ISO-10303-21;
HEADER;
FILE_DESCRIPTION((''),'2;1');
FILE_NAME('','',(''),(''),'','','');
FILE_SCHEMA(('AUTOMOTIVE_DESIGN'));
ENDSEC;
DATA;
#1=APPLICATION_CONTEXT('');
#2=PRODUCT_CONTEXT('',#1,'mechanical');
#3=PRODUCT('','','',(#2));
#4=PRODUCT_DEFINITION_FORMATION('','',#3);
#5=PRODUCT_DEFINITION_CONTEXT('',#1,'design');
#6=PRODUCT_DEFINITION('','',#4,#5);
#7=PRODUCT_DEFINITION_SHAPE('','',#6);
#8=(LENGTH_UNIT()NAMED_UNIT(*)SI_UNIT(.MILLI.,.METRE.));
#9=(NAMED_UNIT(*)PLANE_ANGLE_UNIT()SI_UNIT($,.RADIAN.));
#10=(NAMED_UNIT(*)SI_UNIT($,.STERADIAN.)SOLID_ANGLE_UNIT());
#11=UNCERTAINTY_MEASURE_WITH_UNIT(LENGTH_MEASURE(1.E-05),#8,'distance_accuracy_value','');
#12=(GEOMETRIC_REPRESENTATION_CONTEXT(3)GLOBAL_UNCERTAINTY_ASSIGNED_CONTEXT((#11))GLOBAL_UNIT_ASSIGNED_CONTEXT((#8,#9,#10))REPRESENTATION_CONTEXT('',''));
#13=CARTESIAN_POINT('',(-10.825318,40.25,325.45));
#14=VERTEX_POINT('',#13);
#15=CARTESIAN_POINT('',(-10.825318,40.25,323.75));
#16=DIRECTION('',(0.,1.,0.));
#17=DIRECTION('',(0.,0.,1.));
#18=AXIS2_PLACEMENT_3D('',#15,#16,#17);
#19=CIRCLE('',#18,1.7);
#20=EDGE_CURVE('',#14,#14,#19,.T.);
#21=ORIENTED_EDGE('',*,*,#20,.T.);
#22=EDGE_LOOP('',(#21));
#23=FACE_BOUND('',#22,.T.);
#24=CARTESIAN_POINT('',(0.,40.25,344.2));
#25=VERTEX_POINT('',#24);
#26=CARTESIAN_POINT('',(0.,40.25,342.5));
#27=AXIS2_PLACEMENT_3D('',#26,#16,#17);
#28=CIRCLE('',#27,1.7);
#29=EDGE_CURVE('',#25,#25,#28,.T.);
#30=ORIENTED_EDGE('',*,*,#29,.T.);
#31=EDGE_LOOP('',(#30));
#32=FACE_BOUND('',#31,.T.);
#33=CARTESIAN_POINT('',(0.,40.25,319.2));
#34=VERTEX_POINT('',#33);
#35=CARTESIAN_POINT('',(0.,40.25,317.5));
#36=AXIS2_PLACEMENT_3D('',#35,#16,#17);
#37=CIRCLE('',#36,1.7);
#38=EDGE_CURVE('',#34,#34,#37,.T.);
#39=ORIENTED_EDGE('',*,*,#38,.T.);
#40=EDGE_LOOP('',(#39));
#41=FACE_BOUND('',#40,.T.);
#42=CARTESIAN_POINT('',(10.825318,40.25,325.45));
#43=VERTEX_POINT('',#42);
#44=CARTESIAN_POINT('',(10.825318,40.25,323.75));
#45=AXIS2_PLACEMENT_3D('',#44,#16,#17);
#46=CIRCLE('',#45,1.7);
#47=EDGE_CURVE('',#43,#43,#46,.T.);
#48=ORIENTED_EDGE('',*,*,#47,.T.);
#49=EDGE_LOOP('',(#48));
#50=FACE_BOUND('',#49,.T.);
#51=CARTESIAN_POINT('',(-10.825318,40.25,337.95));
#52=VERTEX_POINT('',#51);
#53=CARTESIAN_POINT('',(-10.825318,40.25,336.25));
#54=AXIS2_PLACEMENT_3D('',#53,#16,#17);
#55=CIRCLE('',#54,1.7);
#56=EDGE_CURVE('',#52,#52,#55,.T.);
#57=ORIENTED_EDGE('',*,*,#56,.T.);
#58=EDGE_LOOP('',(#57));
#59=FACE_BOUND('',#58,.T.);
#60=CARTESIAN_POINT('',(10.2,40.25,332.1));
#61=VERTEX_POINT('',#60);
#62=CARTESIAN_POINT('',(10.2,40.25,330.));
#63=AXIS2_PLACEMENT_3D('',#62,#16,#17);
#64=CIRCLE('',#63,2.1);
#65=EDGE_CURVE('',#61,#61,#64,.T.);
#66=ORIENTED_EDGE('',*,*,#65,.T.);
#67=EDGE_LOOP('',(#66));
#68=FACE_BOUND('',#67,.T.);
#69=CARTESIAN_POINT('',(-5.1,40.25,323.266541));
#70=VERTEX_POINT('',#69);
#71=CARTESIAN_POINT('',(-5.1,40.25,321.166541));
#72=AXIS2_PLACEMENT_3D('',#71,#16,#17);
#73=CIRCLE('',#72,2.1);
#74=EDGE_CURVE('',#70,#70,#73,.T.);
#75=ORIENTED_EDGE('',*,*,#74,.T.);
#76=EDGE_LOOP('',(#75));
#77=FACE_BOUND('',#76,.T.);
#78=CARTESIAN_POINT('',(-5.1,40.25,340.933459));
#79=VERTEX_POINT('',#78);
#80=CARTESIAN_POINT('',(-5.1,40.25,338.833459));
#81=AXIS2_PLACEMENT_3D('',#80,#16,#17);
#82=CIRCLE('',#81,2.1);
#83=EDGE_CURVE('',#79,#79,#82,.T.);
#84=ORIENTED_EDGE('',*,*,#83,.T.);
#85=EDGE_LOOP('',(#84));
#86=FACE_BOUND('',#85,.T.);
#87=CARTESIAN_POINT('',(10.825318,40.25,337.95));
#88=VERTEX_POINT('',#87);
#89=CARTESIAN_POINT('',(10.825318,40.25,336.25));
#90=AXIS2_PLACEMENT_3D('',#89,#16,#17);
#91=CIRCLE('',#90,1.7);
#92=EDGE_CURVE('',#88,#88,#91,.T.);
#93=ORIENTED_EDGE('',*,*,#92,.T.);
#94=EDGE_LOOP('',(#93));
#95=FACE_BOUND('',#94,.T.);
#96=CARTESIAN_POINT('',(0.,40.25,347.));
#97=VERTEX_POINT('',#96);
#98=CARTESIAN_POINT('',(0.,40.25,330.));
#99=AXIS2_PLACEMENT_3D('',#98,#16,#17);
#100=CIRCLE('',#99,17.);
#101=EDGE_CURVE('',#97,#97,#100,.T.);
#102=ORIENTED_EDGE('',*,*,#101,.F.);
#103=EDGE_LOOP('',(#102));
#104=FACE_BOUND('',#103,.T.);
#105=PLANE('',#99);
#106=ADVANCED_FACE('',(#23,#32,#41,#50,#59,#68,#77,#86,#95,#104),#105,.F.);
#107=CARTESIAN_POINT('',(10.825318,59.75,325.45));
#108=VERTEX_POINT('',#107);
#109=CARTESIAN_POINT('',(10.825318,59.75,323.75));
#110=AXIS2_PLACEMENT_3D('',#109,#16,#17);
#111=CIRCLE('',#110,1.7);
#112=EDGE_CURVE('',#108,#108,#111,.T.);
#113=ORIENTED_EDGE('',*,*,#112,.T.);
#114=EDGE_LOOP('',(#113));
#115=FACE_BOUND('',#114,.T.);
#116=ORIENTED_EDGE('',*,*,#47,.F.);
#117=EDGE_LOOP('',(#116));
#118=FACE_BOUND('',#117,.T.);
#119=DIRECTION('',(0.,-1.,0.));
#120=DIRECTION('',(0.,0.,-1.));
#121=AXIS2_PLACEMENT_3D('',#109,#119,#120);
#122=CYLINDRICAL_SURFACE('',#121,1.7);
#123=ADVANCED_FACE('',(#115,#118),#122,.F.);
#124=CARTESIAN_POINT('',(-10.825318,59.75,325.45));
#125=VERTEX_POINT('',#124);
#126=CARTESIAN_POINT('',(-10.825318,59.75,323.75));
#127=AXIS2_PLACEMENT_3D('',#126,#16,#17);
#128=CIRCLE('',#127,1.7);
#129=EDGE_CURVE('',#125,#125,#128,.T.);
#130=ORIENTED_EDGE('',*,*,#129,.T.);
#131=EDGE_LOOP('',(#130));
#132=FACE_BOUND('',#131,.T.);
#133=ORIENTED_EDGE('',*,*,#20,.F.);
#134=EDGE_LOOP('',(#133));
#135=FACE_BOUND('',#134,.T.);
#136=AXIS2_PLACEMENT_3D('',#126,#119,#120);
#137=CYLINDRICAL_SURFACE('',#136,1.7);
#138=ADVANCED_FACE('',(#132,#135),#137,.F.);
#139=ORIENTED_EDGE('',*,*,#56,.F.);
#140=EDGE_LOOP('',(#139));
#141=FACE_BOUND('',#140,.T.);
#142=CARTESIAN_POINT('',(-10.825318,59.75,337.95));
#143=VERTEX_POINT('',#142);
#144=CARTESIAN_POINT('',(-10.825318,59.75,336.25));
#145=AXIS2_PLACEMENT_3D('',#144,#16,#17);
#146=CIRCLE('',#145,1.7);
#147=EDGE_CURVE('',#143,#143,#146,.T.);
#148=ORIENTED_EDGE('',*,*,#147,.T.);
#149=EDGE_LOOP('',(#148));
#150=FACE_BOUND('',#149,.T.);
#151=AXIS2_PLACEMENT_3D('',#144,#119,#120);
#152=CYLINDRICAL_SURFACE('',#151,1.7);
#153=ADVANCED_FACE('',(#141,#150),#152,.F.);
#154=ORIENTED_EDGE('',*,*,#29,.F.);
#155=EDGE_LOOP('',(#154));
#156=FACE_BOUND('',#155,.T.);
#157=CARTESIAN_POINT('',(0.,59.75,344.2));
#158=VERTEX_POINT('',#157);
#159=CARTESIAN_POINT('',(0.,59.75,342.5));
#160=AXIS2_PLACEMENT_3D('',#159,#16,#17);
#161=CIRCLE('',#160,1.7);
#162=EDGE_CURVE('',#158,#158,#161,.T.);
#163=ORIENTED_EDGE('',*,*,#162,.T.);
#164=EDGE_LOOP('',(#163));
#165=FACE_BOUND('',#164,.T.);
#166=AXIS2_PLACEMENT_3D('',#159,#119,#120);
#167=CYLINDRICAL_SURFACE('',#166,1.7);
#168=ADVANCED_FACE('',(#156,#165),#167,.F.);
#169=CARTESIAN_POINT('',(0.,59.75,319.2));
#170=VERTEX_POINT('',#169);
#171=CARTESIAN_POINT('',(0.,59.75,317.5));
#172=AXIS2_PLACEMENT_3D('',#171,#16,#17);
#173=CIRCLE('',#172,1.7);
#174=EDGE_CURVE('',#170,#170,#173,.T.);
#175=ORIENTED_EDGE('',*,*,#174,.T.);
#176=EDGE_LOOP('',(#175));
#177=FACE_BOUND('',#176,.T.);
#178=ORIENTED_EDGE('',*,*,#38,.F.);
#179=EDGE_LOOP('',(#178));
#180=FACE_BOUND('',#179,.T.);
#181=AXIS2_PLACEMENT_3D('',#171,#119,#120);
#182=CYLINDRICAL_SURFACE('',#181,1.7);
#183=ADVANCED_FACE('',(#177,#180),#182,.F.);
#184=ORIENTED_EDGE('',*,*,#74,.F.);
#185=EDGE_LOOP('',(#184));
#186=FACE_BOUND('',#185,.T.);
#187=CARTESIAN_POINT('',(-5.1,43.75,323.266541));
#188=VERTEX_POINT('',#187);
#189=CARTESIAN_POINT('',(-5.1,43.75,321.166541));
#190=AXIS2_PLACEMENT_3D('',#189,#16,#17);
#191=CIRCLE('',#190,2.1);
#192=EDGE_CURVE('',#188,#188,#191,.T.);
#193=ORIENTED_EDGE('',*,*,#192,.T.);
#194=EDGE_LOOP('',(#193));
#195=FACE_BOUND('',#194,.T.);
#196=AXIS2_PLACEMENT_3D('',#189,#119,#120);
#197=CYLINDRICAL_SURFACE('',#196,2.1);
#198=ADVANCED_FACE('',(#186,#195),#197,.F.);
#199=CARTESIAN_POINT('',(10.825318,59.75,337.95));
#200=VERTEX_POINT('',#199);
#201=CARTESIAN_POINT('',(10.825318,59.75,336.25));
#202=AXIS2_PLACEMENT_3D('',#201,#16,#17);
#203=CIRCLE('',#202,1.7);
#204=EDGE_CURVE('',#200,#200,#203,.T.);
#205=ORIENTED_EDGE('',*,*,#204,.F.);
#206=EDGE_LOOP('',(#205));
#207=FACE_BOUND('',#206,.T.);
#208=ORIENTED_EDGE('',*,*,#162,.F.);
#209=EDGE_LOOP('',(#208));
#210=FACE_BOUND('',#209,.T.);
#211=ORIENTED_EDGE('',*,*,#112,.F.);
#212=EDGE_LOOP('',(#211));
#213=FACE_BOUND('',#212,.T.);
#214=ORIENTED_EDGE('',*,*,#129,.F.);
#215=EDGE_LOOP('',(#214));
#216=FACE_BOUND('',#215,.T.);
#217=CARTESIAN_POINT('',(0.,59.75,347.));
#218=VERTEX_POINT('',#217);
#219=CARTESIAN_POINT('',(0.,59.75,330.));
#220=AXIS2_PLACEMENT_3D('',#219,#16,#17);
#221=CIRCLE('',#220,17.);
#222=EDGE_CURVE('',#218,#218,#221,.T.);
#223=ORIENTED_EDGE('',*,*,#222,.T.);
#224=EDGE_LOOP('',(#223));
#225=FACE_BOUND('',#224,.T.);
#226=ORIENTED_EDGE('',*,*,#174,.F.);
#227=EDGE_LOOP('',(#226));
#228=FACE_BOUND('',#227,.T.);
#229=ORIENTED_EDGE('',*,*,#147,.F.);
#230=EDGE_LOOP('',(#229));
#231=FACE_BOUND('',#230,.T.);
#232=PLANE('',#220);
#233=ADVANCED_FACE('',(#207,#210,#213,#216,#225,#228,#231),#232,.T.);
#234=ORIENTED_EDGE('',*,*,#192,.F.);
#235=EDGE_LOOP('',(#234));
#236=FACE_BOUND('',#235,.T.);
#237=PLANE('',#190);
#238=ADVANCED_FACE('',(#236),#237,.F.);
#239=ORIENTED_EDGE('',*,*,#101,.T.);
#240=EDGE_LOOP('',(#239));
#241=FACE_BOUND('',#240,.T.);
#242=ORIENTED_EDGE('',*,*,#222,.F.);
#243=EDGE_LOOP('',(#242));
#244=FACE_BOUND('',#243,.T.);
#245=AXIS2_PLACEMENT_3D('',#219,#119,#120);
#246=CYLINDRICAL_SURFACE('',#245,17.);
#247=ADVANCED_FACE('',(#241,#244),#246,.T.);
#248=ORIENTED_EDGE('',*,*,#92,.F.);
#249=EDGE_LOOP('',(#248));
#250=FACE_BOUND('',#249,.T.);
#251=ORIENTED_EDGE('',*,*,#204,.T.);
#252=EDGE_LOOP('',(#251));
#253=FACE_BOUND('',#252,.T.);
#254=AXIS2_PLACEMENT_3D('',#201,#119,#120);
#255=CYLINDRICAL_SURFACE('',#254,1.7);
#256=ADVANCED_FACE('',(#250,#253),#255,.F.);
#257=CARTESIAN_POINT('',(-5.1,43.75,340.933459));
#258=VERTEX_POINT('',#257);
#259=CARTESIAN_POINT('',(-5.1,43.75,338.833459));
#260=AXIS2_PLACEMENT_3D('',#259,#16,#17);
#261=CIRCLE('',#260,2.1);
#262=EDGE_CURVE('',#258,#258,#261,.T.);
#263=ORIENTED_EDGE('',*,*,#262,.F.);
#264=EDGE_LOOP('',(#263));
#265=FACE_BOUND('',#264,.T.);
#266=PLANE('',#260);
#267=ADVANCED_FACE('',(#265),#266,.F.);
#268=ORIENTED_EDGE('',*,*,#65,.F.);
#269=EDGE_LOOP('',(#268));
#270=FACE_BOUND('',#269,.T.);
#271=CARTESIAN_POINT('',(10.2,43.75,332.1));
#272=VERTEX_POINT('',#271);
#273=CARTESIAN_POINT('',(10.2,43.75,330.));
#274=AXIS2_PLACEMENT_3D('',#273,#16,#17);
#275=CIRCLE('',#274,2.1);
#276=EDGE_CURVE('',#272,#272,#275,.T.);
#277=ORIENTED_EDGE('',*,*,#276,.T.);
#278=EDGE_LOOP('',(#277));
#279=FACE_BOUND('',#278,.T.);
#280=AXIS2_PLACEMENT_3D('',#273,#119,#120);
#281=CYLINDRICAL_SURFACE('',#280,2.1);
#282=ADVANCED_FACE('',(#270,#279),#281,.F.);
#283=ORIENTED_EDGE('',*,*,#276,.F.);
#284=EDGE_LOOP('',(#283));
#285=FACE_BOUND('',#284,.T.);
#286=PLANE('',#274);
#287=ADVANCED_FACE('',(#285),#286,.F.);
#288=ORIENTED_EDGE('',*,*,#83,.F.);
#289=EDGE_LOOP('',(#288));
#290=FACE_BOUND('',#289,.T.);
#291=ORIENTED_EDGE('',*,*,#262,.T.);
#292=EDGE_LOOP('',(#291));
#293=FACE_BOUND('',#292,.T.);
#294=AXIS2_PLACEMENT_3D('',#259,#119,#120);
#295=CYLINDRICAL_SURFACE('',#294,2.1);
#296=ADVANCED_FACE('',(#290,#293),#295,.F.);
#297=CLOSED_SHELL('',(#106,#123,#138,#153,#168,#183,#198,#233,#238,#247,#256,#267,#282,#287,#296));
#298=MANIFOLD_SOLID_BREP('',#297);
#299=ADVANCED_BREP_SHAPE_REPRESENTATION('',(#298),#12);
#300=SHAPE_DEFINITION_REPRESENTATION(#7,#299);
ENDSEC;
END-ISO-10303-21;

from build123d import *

# Parameters (mm, degrees)
CUBO_START            = 40.25
SK_CUBO_R             = 17
CUBO_DEPTH            = 19.5
PASANTES_M3_START     = 40.25
SK_PASANTES_M3_R      = 1.7
PASANTES_M3_DEPTH     = 19.5
PASADORES_MOTOR_START = 40.25
SK_PASADORES_MOTOR_R  = 2.1
PASADORES_MOTOR_DEPTH = 3.5


with BuildPart() as part:
    # Sk_Cubo → Cubo (new body)
    with BuildSketch(Plane(origin=(0, 0, 0), x_dir=(1, 0, 0), z_dir=(0, 1, 0)).offset(CUBO_START)):
        with Locations(Location((0, -330, 0), (0, 0, 270))):
            Circle(SK_CUBO_R)
    extrude(amount=CUBO_DEPTH)

    # Sk_Pasantes_M3 → Pasantes_M3 (cut)
    with BuildSketch(Plane(origin=(0, 0, 0), x_dir=(1, 0, 0), z_dir=(0, 1, 0)).offset(PASANTES_M3_START)):
        with Locations(Location((10.825317547, -336.25, 0), (0, 0, 270))):
            Circle(SK_PASANTES_M3_R)
        with Locations(Location((0, -342.5, 0), (0, 0, 270))):
            Circle(SK_PASANTES_M3_R)
        with Locations(Location((-10.825317547, -336.25, 0), (0, 0, 270))):
            Circle(SK_PASANTES_M3_R)
        with Locations(Location((-10.825317547, -323.75, 0), (0, 0, 270))):
            Circle(SK_PASANTES_M3_R)
        with Locations(Location((0, -317.5, 0), (0, 0, 270))):
            Circle(SK_PASANTES_M3_R)
        with Locations(Location((10.825317547, -323.75, 0), (0, 0, 270))):
            Circle(SK_PASANTES_M3_R)
    extrude(amount=PASANTES_M3_DEPTH, mode=Mode.SUBTRACT)

    # Sk_Pasadores_motor → Pasadores_motor (cut)
    with BuildSketch(Plane(origin=(0, 0, 0), x_dir=(1, 0, 0), z_dir=(0, 1, 0)).offset(PASADORES_MOTOR_START)):
        with Locations(Location((10.2, -330, 0), (0, 0, 270))):
            Circle(SK_PASADORES_MOTOR_R)
        with Locations(Location((-5.1, -338.833459119, 0), (0, 0, 270))):
            Circle(SK_PASADORES_MOTOR_R)
        with Locations(Location((-5.1, -321.166540881, 0), (0, 0, 270))):
            Circle(SK_PASADORES_MOTOR_R)
    extrude(amount=PASADORES_MOTOR_DEPTH, mode=Mode.SUBTRACT)


solid = part.part
